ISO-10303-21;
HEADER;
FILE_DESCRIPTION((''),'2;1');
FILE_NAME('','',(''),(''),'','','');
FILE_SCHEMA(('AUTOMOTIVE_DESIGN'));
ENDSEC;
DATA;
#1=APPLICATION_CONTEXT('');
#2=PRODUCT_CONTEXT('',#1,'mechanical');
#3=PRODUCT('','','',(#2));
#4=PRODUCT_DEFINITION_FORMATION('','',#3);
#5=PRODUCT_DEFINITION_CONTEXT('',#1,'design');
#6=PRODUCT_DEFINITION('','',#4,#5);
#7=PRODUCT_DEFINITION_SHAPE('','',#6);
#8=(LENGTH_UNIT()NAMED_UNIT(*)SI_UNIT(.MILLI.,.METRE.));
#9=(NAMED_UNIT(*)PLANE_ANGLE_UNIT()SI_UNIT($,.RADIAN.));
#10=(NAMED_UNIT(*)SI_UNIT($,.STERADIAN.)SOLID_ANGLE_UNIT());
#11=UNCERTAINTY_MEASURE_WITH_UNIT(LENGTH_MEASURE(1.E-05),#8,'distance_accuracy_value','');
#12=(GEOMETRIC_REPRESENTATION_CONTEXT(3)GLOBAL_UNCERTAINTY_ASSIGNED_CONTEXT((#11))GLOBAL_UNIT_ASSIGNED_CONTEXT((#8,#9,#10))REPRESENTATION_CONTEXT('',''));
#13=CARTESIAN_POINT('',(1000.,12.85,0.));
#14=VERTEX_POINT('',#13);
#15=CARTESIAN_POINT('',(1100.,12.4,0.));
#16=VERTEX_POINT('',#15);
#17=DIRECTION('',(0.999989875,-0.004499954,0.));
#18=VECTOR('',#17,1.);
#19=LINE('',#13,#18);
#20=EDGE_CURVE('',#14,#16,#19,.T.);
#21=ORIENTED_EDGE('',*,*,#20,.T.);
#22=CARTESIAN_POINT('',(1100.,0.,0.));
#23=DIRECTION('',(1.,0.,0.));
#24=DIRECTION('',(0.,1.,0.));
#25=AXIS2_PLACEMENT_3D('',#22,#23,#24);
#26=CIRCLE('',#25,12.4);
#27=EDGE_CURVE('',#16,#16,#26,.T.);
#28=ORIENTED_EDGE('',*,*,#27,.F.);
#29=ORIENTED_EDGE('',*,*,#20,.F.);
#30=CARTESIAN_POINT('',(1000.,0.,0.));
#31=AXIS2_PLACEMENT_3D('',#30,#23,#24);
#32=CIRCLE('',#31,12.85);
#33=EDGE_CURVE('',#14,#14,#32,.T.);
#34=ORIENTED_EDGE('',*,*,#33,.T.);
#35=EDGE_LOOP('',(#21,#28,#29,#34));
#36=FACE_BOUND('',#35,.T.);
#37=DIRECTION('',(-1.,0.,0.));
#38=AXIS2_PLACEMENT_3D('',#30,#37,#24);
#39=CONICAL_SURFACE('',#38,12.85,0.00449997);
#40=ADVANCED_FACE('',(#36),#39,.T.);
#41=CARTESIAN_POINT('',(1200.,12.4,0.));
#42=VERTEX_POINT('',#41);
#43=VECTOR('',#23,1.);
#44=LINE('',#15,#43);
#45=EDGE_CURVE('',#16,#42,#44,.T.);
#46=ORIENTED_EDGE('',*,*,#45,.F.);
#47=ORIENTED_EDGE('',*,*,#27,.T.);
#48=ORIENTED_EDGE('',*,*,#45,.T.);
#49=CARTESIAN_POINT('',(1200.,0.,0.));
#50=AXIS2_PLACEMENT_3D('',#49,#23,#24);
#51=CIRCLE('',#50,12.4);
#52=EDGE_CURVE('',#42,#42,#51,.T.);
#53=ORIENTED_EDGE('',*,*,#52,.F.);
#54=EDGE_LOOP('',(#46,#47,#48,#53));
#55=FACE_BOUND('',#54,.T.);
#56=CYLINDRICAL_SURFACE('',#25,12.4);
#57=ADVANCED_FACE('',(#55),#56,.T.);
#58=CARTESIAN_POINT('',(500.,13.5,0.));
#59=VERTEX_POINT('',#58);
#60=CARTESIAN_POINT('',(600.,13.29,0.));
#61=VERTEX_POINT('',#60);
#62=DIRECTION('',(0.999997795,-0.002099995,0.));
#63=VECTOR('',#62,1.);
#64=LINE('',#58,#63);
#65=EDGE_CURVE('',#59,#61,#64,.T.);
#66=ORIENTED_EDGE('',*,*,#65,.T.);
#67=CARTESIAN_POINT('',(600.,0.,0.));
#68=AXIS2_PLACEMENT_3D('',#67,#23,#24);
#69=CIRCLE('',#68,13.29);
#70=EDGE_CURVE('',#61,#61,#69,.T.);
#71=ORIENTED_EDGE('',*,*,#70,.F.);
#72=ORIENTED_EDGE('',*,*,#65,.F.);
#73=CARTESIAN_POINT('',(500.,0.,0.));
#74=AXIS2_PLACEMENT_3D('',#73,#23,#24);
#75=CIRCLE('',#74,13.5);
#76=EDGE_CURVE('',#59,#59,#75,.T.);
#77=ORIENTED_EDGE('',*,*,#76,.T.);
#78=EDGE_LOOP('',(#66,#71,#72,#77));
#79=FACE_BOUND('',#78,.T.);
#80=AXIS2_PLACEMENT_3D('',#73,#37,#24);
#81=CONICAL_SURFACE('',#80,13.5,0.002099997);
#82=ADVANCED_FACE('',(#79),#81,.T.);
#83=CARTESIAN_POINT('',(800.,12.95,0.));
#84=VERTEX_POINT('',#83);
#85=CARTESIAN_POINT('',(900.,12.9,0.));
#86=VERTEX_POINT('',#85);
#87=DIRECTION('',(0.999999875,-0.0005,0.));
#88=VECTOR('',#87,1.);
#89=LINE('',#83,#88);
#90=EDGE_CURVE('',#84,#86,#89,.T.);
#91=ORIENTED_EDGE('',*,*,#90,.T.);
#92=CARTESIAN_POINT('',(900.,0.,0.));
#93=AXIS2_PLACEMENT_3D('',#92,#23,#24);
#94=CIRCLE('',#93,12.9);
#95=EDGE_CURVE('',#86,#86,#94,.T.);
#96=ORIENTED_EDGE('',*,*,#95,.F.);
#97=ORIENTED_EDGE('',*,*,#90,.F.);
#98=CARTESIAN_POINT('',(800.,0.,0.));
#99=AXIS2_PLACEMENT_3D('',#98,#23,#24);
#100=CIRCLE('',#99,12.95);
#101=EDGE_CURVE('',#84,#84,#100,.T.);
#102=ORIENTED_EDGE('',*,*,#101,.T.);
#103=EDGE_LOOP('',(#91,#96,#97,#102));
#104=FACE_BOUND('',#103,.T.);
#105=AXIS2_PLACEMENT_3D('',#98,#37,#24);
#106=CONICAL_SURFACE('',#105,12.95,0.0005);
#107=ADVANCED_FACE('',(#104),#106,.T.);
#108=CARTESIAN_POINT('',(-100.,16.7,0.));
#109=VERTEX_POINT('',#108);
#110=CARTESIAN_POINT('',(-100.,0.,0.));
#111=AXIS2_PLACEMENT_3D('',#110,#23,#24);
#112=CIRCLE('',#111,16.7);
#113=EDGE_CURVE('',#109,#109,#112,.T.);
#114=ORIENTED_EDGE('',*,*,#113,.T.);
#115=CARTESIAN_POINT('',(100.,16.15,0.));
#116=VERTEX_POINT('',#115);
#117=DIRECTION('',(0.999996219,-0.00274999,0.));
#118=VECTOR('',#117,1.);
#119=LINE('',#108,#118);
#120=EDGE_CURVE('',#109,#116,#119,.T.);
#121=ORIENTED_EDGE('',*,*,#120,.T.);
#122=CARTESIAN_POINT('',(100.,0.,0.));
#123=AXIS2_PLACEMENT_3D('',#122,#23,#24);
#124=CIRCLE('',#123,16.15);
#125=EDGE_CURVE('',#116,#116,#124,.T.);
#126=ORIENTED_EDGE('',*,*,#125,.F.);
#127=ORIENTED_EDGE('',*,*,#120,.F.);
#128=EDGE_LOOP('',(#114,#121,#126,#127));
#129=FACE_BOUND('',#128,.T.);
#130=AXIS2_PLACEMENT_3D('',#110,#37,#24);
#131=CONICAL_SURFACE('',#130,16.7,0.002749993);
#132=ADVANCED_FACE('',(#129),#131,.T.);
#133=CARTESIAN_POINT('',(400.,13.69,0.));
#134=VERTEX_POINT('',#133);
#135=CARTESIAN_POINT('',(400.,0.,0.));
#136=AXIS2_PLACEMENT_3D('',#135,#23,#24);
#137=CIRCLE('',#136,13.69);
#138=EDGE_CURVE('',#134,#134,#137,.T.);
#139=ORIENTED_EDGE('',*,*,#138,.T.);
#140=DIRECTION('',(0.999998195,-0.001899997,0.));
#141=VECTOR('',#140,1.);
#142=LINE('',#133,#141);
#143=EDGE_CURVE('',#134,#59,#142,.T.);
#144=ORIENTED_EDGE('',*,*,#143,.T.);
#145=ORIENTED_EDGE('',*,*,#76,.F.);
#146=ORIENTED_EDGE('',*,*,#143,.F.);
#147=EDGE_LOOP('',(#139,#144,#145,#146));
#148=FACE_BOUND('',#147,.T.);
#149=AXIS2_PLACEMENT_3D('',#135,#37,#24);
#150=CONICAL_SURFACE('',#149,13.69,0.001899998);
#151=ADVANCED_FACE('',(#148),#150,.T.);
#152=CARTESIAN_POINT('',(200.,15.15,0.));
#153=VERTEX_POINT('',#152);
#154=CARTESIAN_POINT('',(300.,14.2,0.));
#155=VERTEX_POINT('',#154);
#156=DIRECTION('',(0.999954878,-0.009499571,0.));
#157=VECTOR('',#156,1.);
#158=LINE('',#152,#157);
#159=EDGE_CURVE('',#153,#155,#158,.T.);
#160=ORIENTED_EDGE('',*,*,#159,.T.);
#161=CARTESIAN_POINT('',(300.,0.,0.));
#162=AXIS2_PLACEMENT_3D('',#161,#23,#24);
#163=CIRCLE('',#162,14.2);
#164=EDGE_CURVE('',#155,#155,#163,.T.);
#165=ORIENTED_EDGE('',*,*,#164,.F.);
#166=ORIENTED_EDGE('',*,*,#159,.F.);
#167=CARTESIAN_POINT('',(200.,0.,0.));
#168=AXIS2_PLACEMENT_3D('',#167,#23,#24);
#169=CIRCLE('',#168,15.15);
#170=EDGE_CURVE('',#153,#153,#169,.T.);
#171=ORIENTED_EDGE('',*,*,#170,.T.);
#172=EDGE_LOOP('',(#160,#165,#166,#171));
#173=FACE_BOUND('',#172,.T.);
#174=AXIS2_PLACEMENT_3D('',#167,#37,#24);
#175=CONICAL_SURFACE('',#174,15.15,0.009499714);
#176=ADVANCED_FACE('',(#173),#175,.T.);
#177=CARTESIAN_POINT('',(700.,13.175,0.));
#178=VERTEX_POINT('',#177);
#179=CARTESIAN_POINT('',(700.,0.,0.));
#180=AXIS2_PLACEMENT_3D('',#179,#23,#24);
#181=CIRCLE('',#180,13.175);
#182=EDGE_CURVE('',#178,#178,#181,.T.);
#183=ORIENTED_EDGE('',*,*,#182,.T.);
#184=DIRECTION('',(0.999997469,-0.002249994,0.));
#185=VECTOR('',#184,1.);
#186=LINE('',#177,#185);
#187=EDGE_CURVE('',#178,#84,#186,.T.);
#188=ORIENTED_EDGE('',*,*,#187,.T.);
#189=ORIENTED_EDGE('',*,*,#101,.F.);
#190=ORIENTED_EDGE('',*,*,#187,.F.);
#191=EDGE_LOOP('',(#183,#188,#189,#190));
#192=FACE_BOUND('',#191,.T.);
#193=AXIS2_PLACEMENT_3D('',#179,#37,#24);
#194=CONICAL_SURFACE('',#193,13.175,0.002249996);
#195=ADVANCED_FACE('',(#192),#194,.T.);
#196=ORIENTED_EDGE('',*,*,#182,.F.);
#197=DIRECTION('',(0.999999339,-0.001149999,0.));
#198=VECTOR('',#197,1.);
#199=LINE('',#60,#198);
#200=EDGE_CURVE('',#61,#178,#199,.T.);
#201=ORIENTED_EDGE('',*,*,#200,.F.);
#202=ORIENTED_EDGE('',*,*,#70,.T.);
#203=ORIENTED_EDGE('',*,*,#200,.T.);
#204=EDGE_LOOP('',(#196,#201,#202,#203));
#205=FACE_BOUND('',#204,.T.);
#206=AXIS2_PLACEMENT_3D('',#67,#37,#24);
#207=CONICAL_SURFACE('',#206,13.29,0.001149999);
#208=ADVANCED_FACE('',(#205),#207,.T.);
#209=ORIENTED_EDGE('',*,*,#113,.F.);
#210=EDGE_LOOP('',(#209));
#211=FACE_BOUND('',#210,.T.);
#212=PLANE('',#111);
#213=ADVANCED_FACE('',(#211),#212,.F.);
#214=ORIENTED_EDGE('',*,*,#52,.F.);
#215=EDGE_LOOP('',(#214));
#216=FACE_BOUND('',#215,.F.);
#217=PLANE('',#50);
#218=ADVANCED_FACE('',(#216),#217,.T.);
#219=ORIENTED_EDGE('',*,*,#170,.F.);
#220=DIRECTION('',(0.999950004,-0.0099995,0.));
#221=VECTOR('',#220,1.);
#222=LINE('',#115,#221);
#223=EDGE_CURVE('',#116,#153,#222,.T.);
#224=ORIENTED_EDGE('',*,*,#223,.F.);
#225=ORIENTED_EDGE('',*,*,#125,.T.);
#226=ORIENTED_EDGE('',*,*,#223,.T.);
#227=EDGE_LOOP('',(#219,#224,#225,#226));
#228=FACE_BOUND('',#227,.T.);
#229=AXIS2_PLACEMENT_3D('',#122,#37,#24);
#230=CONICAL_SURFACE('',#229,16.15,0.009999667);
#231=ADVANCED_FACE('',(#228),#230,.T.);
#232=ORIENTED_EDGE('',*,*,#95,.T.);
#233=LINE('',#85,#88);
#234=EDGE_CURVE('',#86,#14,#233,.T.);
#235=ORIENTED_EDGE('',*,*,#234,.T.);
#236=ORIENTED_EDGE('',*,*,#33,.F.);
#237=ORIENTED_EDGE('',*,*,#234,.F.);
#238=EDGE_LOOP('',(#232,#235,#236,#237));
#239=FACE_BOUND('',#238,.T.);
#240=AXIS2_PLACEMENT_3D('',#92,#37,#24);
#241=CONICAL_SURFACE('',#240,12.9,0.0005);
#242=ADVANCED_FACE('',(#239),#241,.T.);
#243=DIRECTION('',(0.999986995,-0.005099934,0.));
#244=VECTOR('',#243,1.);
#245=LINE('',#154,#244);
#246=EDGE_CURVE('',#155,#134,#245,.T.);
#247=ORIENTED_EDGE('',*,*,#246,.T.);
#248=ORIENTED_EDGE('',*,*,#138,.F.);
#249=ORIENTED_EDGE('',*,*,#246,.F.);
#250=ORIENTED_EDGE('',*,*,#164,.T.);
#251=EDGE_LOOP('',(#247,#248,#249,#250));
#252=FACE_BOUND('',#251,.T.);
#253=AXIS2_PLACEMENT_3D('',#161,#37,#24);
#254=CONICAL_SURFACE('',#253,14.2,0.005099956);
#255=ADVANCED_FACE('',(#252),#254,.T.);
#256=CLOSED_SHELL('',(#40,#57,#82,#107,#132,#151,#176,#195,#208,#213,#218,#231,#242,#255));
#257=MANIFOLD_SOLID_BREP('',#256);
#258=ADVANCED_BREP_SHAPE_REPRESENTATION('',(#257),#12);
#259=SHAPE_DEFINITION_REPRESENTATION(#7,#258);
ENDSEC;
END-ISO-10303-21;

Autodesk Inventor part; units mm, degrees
ref_plane "YZ Plane" through (0, 0, 0) normal (1, 0, 0) x (0, 1, 0)
ref_plane "XZ Plane" through (0, 0, 0) normal (0, 1, 0) x (-1, 0, 0)
ref_plane "XY Plane" through (0, 0, 0) normal (0, 0, 1) x (1, 0, 0)
sketch "Sketch1" plane through (0, 0, 0) normal (0, 0, 1) x (1, 0, 0)
  line L0 (-100, 0) -> (1200, 0)
  line L1 (-100, 0) -> (-100, 16.7)
  line L2 (100, 0) -> (100, 16.15)
  line L3 (200, 0) -> (200, 15.15)
  line L4 (300, 0) -> (300, 14.2)
  line L5 (400, 0) -> (400, 13.69)
  line L6 (500, 0) -> (500, 13.5)
  line L7 (600, 0) -> (600, 13.29)
  line L8 (700, 0) -> (700, 13.175)
  line L9 (800, 0) -> (800, 12.95)
  line L10 (900, 0) -> (900, 12.9)
  line L11 (1000, 0) -> (1000, 12.85)
  line L12 (1100, 0) -> (1100, 12.4)
  line L13 (1200, 0) -> (1200, 12.4)
  line L14 (1200, 0) -> (1200, 11.25)
  line L15 (-100, 16.7) -> (100, 16.15)
  line L16 (100, 16.15) -> (200, 15.15)
  line L17 (200, 15.15) -> (300, 14.2)
  line L18 (300, 14.2) -> (400, 13.69)
  line L19 (400, 13.69) -> (500, 13.5)
  line L20 (500, 13.5) -> (600, 13.29)
  line L21 (600, 13.29) -> (700, 13.175)
  line L22 (700, 13.175) -> (800, 12.95)
  line L23 (800, 12.95) -> (900, 12.9)
  line L24 (900, 12.9) -> (1000, 12.85)
  line L25 (1000, 12.85) -> (1100, 12.4)
  line L26 (1100, 12.4) -> (1200, 12.4)
  line L27 (1200, 12.4) -> (1200, 11.25)
  point P0 (0, 0)
  point P1 (1100, 12.3857)
  point P2 (1090, 12.3713)
  point P3 (1080, 12.357)
  point P4 (1070, 12.3426)
  point P5 (1060, 12.3283)
  point P6 (1050, 12.3139)
  point P7 (1010, 11.54)
  point P8 (1020, 11.7067)
  point P9 (1030, 12.2852)
  point P10 (1040, 12.2996)
  dimension "d0" = 1300
  dimension "d1" = 100
  dimension "d2" = 100
  dimension "d3" = 100
  dimension "d4" = 100
  dimension "d5" = 100
  dimension "d6" = 100
  dimension "d7" = 100
  dimension "d8" = 100
  dimension "d9" = 100
  dimension "d10" = 100
  dimension "d11" = 100
  dimension "d12" = 100
  dimension "d13" = 16.7
  dimension "d14" = 16.15
  dimension "d15" = 15.15
  dimension "d16" = 14.2
  dimension "d17" = 13.69
  dimension "d18" = 13.5
  dimension "d19" = 13.29
  dimension "d20" = 13.175
  dimension "d21" = 12.95
  dimension "d22" = 12.9
  dimension "d23" = 12.85
  dimension "d24" = 12.4
  dimension "d25" = 12.4
  dimension "d26" = 11.25
  dimension "d31" = 100
revolve "Revolution4" add sketch "Sketch1" angle 360 about axis through (-100, 0, 0) along (1, 0, 0)
properties part number "1P.02.01.02-RN-MainSpar" material "CFRP"
